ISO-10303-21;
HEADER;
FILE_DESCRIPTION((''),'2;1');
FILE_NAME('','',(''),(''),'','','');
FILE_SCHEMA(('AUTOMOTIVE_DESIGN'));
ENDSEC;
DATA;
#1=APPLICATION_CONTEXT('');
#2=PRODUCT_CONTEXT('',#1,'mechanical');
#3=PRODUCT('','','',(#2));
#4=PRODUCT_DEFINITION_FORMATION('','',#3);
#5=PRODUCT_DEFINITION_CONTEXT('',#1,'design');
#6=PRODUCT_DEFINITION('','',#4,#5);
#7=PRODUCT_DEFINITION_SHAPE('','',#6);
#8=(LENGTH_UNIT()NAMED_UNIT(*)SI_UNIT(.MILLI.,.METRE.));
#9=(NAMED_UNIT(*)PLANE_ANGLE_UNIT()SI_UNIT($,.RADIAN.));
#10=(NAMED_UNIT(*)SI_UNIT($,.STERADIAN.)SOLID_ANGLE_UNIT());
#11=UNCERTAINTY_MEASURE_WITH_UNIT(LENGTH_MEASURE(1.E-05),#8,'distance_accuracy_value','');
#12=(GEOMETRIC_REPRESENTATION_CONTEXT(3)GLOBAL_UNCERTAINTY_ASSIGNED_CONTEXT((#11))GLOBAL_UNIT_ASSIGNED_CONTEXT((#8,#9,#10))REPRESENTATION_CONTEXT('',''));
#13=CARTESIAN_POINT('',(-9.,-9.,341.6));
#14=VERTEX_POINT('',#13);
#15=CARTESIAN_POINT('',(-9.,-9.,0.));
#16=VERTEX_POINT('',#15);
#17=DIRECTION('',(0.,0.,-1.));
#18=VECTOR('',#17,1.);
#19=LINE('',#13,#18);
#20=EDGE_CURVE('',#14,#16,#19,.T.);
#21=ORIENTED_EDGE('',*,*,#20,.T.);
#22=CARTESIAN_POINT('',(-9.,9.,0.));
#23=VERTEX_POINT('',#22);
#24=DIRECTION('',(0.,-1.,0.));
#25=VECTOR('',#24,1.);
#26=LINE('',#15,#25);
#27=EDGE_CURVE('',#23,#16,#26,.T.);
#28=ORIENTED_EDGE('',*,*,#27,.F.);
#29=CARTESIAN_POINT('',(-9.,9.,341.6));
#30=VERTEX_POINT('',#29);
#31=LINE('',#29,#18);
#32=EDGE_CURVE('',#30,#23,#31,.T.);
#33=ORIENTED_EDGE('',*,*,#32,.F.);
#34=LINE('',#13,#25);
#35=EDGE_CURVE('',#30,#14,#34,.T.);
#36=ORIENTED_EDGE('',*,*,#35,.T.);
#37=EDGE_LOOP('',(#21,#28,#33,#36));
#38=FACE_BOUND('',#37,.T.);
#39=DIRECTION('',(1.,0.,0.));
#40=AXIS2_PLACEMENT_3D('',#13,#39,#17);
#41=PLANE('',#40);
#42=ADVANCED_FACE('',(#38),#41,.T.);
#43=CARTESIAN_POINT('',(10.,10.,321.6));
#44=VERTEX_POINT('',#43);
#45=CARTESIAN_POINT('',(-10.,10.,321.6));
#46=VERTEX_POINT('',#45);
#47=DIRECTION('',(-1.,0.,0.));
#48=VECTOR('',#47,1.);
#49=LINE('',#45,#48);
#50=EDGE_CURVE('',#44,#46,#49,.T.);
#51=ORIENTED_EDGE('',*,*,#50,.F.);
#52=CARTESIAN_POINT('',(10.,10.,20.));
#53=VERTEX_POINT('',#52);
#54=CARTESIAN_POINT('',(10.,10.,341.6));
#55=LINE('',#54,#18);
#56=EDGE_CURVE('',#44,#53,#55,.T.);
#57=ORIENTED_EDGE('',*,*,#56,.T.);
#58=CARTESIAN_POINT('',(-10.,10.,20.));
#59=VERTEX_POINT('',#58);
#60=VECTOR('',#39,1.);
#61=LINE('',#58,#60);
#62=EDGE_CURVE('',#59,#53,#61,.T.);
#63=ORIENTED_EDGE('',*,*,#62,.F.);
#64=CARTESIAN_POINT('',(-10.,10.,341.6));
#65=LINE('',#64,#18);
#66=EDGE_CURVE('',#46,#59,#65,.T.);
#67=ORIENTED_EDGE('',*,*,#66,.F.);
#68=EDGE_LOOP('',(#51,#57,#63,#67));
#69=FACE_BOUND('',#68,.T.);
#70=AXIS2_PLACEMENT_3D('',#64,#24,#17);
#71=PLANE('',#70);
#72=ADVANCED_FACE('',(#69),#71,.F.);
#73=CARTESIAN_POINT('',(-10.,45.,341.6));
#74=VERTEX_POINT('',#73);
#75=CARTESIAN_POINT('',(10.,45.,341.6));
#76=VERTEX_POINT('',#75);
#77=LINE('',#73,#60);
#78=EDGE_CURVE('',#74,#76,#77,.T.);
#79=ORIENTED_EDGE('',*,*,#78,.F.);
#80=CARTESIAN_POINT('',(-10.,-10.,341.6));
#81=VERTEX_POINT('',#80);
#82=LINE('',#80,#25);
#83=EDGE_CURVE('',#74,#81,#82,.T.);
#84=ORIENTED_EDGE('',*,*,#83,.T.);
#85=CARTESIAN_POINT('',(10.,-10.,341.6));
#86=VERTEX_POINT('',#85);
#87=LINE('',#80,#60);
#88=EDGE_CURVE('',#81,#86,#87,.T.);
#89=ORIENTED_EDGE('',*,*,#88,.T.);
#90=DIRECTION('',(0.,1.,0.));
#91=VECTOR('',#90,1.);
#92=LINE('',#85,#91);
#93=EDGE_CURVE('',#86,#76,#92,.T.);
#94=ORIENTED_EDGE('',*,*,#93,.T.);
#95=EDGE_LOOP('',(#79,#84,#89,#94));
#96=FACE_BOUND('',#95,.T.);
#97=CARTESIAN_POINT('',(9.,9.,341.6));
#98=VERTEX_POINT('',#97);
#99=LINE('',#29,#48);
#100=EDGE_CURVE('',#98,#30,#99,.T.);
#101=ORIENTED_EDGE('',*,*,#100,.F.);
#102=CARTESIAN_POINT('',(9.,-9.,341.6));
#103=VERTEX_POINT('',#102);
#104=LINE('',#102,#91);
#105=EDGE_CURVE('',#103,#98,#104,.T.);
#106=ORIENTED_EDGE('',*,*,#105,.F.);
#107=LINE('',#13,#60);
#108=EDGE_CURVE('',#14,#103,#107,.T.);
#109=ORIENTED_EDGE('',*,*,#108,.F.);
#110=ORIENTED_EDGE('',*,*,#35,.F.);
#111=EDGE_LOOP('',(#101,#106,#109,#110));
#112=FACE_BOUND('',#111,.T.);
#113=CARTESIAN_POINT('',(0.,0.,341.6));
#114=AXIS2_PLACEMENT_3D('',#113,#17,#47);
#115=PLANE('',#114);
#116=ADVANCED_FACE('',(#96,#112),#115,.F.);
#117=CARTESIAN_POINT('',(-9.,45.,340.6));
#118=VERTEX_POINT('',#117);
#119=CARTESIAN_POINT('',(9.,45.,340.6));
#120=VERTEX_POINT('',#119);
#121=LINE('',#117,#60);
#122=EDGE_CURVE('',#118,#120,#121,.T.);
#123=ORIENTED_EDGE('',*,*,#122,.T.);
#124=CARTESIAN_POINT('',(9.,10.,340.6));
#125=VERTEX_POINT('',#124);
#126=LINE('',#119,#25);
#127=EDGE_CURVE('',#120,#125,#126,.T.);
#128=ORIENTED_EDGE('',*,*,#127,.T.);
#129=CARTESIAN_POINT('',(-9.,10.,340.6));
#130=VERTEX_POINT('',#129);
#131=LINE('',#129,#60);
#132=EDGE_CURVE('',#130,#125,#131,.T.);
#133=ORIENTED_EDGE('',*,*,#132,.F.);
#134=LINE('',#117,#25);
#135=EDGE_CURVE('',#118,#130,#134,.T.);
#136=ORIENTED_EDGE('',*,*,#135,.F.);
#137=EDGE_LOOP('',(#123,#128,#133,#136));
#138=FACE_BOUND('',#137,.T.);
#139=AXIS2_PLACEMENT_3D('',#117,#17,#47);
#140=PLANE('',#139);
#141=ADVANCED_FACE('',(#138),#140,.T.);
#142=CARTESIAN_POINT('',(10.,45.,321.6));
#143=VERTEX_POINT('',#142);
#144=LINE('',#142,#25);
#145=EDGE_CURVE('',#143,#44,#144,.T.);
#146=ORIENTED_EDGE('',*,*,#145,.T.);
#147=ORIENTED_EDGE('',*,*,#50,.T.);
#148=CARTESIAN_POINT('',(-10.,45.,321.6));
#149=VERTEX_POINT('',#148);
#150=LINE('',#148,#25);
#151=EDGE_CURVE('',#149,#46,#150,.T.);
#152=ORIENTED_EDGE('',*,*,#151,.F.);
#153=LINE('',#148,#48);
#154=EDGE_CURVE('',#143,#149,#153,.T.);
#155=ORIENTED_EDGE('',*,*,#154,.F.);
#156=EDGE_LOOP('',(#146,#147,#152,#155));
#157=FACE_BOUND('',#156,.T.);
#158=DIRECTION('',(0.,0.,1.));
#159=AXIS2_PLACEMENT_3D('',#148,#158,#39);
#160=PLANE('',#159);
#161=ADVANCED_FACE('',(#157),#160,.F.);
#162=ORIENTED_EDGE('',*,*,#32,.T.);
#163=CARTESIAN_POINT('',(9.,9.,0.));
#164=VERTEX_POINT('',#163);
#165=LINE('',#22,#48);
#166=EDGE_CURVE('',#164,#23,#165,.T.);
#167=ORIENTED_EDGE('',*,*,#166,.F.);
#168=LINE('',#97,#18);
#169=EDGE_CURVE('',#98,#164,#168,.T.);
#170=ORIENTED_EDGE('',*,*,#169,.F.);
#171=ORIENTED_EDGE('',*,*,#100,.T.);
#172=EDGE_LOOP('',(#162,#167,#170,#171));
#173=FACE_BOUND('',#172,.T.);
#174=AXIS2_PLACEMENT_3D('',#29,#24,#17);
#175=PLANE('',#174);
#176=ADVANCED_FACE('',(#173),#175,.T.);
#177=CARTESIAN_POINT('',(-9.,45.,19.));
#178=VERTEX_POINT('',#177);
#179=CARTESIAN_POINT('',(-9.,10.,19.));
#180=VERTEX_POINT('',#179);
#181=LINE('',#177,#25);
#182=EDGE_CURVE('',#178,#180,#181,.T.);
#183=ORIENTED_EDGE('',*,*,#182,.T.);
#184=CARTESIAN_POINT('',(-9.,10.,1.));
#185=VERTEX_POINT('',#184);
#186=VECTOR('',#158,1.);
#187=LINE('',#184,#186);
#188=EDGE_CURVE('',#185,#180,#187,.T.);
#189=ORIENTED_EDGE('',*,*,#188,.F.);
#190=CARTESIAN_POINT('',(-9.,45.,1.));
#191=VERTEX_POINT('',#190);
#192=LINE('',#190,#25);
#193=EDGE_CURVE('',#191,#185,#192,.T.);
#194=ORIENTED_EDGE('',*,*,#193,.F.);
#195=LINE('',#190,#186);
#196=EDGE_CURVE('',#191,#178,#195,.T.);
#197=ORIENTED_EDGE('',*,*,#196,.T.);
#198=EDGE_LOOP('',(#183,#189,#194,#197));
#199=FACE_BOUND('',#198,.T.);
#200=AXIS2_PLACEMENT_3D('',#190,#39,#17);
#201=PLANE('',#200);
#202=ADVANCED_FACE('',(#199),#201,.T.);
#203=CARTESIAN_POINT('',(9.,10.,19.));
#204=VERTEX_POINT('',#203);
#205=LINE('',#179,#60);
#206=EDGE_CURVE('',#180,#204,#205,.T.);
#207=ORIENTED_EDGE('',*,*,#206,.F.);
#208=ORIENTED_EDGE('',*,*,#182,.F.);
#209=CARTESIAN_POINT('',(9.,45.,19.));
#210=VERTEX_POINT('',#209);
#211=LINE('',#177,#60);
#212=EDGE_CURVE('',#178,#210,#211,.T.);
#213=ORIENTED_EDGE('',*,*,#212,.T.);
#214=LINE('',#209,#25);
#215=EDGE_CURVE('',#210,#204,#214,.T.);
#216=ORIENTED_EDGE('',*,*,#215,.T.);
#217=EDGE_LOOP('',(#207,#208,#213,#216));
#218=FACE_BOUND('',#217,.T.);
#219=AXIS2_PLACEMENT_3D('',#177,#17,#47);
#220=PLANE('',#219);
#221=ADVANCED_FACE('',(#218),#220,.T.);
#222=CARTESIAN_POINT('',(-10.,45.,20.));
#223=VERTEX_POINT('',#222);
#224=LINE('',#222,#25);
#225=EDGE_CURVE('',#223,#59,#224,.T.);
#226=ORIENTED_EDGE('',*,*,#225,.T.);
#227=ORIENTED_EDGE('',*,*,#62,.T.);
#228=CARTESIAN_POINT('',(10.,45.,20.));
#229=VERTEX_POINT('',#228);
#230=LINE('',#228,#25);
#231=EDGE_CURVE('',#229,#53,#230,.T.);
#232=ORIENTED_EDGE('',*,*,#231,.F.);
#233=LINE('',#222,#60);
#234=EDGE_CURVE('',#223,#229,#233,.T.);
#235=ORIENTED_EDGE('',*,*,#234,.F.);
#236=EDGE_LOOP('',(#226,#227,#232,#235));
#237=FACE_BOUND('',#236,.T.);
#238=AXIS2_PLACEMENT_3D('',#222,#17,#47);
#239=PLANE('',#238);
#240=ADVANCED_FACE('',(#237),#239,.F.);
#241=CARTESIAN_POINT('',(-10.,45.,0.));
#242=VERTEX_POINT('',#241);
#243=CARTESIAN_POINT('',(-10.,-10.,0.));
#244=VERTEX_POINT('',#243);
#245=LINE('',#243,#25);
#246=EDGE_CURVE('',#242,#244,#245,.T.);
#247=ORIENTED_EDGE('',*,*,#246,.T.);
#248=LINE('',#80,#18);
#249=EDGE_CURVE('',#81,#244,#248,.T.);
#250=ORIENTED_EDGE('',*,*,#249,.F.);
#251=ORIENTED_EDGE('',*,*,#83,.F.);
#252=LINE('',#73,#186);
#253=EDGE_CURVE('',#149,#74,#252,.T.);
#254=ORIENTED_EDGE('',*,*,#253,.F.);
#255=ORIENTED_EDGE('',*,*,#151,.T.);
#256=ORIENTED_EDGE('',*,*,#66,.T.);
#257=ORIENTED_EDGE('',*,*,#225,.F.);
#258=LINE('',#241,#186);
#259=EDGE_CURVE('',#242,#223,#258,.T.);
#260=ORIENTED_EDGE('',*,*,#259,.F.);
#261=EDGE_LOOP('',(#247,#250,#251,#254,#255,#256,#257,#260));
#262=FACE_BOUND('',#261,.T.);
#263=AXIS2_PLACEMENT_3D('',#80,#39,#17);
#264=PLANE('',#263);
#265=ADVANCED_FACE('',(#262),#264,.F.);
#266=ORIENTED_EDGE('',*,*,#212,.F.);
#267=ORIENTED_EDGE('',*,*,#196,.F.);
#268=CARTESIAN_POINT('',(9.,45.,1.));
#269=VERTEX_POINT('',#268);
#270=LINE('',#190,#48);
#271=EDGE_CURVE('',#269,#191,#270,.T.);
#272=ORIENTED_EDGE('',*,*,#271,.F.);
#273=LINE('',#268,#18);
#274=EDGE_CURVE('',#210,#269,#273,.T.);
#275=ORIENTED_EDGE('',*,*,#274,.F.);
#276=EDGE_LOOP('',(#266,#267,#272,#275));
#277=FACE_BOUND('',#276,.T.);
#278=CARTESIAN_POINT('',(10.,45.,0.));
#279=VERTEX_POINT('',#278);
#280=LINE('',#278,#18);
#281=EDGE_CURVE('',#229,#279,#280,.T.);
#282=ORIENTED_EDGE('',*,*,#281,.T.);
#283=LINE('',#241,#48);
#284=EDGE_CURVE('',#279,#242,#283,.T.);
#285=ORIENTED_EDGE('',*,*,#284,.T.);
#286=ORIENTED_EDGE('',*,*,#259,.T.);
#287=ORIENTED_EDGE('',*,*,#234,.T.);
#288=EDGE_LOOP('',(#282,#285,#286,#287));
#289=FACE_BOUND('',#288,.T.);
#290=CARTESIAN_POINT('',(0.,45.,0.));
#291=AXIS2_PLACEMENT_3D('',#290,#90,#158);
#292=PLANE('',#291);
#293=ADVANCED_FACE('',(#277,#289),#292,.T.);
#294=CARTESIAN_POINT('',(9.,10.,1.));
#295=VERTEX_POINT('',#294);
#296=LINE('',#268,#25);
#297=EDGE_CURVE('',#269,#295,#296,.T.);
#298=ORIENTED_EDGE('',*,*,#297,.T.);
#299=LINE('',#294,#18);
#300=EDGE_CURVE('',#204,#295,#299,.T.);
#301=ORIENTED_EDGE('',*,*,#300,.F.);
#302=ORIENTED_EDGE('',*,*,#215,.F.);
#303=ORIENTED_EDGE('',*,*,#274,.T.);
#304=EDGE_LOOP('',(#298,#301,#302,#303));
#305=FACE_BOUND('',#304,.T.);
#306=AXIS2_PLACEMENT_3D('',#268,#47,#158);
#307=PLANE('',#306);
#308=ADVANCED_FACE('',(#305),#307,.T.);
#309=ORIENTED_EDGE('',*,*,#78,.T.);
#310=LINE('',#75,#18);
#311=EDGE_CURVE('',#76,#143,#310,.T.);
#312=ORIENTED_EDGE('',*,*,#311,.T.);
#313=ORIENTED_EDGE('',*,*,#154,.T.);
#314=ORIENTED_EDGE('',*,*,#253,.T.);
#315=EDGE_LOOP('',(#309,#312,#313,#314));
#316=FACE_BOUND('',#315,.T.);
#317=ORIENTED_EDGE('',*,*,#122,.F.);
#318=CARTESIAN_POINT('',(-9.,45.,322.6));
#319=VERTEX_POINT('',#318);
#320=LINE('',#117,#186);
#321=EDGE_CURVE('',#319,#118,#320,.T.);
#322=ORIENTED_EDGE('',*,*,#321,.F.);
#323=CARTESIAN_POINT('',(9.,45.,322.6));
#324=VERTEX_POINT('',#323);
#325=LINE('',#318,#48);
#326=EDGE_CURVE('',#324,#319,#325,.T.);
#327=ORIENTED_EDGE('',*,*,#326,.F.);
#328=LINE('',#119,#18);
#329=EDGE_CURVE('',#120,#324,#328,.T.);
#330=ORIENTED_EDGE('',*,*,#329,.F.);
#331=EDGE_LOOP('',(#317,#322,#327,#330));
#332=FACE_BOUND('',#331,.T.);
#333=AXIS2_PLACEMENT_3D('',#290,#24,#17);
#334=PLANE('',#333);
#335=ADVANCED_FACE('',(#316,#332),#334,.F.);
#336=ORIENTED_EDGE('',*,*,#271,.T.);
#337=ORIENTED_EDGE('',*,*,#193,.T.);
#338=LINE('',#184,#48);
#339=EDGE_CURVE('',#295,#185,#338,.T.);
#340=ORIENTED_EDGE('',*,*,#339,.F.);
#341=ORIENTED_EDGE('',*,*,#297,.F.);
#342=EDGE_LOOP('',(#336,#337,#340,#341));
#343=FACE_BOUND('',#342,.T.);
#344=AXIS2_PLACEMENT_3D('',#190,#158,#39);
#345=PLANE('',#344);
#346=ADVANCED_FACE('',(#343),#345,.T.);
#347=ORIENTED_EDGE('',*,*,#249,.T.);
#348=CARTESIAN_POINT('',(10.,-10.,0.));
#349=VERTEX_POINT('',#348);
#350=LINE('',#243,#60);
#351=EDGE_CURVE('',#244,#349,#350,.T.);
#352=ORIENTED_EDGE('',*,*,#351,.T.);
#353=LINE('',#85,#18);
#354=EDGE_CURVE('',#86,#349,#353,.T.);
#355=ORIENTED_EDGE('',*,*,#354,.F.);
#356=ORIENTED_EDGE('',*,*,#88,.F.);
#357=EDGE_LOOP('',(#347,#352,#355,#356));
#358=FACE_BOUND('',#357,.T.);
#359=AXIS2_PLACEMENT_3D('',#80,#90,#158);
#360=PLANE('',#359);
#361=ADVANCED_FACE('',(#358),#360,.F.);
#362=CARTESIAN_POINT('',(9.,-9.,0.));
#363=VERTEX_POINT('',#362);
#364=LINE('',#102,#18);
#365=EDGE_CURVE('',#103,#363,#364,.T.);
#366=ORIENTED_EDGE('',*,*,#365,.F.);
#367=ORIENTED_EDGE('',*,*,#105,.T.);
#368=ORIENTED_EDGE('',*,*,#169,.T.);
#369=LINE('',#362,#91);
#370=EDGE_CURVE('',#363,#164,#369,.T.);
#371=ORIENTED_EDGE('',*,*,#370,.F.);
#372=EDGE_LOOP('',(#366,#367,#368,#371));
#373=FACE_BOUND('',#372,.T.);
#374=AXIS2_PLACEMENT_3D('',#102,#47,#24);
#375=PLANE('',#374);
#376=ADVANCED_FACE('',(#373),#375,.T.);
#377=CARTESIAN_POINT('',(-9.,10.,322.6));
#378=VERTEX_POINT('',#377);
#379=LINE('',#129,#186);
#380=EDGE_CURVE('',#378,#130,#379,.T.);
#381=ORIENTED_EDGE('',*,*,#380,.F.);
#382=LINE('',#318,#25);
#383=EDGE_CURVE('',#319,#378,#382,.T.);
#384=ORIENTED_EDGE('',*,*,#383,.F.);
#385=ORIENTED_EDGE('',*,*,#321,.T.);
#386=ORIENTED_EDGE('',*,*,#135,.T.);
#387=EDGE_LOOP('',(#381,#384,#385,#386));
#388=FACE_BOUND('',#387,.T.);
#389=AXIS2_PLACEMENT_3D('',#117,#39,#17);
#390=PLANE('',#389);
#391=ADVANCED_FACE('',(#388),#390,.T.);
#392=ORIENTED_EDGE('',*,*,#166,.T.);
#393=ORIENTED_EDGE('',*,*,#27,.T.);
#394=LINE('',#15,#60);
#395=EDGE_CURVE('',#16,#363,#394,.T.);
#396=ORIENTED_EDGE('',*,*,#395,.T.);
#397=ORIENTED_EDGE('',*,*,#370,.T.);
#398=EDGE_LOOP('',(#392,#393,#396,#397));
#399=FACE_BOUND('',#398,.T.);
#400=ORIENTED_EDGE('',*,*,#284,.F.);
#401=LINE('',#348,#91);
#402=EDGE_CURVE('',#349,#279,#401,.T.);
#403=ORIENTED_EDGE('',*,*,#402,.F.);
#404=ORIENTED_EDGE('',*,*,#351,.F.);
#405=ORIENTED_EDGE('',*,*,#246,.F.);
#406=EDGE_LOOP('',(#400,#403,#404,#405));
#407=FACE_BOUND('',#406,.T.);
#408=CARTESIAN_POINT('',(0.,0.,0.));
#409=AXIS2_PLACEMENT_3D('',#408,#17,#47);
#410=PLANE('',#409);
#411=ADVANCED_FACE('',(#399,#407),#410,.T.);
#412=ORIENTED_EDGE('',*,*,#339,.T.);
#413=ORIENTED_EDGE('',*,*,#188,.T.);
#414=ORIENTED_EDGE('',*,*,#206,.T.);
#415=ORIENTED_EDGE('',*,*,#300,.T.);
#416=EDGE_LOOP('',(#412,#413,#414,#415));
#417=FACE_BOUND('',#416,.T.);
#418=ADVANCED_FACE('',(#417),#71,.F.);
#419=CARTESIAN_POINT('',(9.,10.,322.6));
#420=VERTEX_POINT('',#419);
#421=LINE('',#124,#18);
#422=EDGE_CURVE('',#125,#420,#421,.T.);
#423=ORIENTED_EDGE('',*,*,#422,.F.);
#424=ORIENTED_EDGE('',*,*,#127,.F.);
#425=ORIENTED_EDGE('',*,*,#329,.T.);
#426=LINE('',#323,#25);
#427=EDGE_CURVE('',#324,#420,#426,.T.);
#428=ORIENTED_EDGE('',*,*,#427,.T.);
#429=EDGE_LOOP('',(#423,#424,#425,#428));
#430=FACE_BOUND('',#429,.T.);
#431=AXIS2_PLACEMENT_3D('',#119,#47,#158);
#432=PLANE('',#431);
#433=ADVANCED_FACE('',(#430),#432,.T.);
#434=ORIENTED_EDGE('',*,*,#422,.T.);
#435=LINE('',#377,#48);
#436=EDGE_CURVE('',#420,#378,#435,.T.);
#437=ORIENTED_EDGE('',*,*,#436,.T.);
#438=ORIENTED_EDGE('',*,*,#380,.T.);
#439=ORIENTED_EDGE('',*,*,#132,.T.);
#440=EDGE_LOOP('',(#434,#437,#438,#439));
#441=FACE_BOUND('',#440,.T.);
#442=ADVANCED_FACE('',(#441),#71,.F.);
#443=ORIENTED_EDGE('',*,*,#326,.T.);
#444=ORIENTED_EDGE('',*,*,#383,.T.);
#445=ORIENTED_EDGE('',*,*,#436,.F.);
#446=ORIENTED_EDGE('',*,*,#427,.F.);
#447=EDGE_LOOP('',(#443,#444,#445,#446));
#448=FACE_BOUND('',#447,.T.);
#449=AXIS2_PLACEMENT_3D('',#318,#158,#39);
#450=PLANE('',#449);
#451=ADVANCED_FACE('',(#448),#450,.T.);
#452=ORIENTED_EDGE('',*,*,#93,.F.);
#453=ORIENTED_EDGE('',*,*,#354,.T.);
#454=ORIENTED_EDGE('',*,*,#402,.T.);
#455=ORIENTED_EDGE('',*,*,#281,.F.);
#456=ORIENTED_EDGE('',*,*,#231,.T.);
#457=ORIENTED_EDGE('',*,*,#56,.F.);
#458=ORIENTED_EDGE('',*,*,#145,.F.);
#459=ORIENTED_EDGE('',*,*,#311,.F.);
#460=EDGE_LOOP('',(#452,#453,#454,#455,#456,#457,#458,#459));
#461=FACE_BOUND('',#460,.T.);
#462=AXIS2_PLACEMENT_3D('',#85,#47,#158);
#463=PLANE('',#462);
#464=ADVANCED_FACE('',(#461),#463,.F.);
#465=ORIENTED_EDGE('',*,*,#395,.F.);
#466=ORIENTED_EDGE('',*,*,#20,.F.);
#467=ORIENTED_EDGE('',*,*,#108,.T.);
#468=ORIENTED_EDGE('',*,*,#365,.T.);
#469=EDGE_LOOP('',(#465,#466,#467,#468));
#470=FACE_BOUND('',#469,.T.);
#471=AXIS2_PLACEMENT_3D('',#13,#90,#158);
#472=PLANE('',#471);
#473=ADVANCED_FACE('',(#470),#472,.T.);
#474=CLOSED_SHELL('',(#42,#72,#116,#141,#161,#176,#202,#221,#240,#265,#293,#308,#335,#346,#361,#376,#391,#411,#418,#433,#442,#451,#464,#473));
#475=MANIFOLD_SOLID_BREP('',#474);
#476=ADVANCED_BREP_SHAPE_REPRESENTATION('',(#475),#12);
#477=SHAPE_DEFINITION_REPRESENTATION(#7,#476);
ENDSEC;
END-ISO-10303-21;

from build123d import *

# Parameters (mm, degrees)
SKETCH2_W           = 20
SKETCH2_H           = 20
SKETCH2_W_2         = 18
SKETCH2_H_2         = 18
BOSS_EXTRUDE1_DEPTH = 341.6
SKETCH3_W           = 20
SKETCH3_H           = 20
SKETCH3_W_2         = 18
SKETCH3_H_2         = 18
BOSS_EXTRUDE2_DEPTH = 35


with BuildPart() as part:
    # Sketch2 → Boss-Extrude1 (new body)
    with BuildSketch(Plane.XY):
        Rectangle(SKETCH2_W, SKETCH2_H)
        Rectangle(SKETCH2_W_2, SKETCH2_H_2, mode=Mode.SUBTRACT)
    extrude(amount=BOSS_EXTRUDE1_DEPTH)

    # Sketch3 → Boss-Extrude2 (add)
    with BuildSketch(Plane(origin=(0, 10, 0), x_dir=(1, 0, 0), z_dir=(0, 1, 0))):
        with Locations((0, -10)):
            Rectangle(SKETCH3_W, SKETCH3_H)
        with Locations((0, -10)):
            Rectangle(SKETCH3_W_2, SKETCH3_H_2, mode=Mode.SUBTRACT)
        with Locations((0, -331.6)):
            Rectangle(SKETCH3_W, SKETCH3_H)
        with Locations((0, -331.6)):
            Rectangle(SKETCH3_W_2, SKETCH3_H_2, mode=Mode.SUBTRACT)
    extrude(amount=BOSS_EXTRUDE2_DEPTH)


solid = part.part
